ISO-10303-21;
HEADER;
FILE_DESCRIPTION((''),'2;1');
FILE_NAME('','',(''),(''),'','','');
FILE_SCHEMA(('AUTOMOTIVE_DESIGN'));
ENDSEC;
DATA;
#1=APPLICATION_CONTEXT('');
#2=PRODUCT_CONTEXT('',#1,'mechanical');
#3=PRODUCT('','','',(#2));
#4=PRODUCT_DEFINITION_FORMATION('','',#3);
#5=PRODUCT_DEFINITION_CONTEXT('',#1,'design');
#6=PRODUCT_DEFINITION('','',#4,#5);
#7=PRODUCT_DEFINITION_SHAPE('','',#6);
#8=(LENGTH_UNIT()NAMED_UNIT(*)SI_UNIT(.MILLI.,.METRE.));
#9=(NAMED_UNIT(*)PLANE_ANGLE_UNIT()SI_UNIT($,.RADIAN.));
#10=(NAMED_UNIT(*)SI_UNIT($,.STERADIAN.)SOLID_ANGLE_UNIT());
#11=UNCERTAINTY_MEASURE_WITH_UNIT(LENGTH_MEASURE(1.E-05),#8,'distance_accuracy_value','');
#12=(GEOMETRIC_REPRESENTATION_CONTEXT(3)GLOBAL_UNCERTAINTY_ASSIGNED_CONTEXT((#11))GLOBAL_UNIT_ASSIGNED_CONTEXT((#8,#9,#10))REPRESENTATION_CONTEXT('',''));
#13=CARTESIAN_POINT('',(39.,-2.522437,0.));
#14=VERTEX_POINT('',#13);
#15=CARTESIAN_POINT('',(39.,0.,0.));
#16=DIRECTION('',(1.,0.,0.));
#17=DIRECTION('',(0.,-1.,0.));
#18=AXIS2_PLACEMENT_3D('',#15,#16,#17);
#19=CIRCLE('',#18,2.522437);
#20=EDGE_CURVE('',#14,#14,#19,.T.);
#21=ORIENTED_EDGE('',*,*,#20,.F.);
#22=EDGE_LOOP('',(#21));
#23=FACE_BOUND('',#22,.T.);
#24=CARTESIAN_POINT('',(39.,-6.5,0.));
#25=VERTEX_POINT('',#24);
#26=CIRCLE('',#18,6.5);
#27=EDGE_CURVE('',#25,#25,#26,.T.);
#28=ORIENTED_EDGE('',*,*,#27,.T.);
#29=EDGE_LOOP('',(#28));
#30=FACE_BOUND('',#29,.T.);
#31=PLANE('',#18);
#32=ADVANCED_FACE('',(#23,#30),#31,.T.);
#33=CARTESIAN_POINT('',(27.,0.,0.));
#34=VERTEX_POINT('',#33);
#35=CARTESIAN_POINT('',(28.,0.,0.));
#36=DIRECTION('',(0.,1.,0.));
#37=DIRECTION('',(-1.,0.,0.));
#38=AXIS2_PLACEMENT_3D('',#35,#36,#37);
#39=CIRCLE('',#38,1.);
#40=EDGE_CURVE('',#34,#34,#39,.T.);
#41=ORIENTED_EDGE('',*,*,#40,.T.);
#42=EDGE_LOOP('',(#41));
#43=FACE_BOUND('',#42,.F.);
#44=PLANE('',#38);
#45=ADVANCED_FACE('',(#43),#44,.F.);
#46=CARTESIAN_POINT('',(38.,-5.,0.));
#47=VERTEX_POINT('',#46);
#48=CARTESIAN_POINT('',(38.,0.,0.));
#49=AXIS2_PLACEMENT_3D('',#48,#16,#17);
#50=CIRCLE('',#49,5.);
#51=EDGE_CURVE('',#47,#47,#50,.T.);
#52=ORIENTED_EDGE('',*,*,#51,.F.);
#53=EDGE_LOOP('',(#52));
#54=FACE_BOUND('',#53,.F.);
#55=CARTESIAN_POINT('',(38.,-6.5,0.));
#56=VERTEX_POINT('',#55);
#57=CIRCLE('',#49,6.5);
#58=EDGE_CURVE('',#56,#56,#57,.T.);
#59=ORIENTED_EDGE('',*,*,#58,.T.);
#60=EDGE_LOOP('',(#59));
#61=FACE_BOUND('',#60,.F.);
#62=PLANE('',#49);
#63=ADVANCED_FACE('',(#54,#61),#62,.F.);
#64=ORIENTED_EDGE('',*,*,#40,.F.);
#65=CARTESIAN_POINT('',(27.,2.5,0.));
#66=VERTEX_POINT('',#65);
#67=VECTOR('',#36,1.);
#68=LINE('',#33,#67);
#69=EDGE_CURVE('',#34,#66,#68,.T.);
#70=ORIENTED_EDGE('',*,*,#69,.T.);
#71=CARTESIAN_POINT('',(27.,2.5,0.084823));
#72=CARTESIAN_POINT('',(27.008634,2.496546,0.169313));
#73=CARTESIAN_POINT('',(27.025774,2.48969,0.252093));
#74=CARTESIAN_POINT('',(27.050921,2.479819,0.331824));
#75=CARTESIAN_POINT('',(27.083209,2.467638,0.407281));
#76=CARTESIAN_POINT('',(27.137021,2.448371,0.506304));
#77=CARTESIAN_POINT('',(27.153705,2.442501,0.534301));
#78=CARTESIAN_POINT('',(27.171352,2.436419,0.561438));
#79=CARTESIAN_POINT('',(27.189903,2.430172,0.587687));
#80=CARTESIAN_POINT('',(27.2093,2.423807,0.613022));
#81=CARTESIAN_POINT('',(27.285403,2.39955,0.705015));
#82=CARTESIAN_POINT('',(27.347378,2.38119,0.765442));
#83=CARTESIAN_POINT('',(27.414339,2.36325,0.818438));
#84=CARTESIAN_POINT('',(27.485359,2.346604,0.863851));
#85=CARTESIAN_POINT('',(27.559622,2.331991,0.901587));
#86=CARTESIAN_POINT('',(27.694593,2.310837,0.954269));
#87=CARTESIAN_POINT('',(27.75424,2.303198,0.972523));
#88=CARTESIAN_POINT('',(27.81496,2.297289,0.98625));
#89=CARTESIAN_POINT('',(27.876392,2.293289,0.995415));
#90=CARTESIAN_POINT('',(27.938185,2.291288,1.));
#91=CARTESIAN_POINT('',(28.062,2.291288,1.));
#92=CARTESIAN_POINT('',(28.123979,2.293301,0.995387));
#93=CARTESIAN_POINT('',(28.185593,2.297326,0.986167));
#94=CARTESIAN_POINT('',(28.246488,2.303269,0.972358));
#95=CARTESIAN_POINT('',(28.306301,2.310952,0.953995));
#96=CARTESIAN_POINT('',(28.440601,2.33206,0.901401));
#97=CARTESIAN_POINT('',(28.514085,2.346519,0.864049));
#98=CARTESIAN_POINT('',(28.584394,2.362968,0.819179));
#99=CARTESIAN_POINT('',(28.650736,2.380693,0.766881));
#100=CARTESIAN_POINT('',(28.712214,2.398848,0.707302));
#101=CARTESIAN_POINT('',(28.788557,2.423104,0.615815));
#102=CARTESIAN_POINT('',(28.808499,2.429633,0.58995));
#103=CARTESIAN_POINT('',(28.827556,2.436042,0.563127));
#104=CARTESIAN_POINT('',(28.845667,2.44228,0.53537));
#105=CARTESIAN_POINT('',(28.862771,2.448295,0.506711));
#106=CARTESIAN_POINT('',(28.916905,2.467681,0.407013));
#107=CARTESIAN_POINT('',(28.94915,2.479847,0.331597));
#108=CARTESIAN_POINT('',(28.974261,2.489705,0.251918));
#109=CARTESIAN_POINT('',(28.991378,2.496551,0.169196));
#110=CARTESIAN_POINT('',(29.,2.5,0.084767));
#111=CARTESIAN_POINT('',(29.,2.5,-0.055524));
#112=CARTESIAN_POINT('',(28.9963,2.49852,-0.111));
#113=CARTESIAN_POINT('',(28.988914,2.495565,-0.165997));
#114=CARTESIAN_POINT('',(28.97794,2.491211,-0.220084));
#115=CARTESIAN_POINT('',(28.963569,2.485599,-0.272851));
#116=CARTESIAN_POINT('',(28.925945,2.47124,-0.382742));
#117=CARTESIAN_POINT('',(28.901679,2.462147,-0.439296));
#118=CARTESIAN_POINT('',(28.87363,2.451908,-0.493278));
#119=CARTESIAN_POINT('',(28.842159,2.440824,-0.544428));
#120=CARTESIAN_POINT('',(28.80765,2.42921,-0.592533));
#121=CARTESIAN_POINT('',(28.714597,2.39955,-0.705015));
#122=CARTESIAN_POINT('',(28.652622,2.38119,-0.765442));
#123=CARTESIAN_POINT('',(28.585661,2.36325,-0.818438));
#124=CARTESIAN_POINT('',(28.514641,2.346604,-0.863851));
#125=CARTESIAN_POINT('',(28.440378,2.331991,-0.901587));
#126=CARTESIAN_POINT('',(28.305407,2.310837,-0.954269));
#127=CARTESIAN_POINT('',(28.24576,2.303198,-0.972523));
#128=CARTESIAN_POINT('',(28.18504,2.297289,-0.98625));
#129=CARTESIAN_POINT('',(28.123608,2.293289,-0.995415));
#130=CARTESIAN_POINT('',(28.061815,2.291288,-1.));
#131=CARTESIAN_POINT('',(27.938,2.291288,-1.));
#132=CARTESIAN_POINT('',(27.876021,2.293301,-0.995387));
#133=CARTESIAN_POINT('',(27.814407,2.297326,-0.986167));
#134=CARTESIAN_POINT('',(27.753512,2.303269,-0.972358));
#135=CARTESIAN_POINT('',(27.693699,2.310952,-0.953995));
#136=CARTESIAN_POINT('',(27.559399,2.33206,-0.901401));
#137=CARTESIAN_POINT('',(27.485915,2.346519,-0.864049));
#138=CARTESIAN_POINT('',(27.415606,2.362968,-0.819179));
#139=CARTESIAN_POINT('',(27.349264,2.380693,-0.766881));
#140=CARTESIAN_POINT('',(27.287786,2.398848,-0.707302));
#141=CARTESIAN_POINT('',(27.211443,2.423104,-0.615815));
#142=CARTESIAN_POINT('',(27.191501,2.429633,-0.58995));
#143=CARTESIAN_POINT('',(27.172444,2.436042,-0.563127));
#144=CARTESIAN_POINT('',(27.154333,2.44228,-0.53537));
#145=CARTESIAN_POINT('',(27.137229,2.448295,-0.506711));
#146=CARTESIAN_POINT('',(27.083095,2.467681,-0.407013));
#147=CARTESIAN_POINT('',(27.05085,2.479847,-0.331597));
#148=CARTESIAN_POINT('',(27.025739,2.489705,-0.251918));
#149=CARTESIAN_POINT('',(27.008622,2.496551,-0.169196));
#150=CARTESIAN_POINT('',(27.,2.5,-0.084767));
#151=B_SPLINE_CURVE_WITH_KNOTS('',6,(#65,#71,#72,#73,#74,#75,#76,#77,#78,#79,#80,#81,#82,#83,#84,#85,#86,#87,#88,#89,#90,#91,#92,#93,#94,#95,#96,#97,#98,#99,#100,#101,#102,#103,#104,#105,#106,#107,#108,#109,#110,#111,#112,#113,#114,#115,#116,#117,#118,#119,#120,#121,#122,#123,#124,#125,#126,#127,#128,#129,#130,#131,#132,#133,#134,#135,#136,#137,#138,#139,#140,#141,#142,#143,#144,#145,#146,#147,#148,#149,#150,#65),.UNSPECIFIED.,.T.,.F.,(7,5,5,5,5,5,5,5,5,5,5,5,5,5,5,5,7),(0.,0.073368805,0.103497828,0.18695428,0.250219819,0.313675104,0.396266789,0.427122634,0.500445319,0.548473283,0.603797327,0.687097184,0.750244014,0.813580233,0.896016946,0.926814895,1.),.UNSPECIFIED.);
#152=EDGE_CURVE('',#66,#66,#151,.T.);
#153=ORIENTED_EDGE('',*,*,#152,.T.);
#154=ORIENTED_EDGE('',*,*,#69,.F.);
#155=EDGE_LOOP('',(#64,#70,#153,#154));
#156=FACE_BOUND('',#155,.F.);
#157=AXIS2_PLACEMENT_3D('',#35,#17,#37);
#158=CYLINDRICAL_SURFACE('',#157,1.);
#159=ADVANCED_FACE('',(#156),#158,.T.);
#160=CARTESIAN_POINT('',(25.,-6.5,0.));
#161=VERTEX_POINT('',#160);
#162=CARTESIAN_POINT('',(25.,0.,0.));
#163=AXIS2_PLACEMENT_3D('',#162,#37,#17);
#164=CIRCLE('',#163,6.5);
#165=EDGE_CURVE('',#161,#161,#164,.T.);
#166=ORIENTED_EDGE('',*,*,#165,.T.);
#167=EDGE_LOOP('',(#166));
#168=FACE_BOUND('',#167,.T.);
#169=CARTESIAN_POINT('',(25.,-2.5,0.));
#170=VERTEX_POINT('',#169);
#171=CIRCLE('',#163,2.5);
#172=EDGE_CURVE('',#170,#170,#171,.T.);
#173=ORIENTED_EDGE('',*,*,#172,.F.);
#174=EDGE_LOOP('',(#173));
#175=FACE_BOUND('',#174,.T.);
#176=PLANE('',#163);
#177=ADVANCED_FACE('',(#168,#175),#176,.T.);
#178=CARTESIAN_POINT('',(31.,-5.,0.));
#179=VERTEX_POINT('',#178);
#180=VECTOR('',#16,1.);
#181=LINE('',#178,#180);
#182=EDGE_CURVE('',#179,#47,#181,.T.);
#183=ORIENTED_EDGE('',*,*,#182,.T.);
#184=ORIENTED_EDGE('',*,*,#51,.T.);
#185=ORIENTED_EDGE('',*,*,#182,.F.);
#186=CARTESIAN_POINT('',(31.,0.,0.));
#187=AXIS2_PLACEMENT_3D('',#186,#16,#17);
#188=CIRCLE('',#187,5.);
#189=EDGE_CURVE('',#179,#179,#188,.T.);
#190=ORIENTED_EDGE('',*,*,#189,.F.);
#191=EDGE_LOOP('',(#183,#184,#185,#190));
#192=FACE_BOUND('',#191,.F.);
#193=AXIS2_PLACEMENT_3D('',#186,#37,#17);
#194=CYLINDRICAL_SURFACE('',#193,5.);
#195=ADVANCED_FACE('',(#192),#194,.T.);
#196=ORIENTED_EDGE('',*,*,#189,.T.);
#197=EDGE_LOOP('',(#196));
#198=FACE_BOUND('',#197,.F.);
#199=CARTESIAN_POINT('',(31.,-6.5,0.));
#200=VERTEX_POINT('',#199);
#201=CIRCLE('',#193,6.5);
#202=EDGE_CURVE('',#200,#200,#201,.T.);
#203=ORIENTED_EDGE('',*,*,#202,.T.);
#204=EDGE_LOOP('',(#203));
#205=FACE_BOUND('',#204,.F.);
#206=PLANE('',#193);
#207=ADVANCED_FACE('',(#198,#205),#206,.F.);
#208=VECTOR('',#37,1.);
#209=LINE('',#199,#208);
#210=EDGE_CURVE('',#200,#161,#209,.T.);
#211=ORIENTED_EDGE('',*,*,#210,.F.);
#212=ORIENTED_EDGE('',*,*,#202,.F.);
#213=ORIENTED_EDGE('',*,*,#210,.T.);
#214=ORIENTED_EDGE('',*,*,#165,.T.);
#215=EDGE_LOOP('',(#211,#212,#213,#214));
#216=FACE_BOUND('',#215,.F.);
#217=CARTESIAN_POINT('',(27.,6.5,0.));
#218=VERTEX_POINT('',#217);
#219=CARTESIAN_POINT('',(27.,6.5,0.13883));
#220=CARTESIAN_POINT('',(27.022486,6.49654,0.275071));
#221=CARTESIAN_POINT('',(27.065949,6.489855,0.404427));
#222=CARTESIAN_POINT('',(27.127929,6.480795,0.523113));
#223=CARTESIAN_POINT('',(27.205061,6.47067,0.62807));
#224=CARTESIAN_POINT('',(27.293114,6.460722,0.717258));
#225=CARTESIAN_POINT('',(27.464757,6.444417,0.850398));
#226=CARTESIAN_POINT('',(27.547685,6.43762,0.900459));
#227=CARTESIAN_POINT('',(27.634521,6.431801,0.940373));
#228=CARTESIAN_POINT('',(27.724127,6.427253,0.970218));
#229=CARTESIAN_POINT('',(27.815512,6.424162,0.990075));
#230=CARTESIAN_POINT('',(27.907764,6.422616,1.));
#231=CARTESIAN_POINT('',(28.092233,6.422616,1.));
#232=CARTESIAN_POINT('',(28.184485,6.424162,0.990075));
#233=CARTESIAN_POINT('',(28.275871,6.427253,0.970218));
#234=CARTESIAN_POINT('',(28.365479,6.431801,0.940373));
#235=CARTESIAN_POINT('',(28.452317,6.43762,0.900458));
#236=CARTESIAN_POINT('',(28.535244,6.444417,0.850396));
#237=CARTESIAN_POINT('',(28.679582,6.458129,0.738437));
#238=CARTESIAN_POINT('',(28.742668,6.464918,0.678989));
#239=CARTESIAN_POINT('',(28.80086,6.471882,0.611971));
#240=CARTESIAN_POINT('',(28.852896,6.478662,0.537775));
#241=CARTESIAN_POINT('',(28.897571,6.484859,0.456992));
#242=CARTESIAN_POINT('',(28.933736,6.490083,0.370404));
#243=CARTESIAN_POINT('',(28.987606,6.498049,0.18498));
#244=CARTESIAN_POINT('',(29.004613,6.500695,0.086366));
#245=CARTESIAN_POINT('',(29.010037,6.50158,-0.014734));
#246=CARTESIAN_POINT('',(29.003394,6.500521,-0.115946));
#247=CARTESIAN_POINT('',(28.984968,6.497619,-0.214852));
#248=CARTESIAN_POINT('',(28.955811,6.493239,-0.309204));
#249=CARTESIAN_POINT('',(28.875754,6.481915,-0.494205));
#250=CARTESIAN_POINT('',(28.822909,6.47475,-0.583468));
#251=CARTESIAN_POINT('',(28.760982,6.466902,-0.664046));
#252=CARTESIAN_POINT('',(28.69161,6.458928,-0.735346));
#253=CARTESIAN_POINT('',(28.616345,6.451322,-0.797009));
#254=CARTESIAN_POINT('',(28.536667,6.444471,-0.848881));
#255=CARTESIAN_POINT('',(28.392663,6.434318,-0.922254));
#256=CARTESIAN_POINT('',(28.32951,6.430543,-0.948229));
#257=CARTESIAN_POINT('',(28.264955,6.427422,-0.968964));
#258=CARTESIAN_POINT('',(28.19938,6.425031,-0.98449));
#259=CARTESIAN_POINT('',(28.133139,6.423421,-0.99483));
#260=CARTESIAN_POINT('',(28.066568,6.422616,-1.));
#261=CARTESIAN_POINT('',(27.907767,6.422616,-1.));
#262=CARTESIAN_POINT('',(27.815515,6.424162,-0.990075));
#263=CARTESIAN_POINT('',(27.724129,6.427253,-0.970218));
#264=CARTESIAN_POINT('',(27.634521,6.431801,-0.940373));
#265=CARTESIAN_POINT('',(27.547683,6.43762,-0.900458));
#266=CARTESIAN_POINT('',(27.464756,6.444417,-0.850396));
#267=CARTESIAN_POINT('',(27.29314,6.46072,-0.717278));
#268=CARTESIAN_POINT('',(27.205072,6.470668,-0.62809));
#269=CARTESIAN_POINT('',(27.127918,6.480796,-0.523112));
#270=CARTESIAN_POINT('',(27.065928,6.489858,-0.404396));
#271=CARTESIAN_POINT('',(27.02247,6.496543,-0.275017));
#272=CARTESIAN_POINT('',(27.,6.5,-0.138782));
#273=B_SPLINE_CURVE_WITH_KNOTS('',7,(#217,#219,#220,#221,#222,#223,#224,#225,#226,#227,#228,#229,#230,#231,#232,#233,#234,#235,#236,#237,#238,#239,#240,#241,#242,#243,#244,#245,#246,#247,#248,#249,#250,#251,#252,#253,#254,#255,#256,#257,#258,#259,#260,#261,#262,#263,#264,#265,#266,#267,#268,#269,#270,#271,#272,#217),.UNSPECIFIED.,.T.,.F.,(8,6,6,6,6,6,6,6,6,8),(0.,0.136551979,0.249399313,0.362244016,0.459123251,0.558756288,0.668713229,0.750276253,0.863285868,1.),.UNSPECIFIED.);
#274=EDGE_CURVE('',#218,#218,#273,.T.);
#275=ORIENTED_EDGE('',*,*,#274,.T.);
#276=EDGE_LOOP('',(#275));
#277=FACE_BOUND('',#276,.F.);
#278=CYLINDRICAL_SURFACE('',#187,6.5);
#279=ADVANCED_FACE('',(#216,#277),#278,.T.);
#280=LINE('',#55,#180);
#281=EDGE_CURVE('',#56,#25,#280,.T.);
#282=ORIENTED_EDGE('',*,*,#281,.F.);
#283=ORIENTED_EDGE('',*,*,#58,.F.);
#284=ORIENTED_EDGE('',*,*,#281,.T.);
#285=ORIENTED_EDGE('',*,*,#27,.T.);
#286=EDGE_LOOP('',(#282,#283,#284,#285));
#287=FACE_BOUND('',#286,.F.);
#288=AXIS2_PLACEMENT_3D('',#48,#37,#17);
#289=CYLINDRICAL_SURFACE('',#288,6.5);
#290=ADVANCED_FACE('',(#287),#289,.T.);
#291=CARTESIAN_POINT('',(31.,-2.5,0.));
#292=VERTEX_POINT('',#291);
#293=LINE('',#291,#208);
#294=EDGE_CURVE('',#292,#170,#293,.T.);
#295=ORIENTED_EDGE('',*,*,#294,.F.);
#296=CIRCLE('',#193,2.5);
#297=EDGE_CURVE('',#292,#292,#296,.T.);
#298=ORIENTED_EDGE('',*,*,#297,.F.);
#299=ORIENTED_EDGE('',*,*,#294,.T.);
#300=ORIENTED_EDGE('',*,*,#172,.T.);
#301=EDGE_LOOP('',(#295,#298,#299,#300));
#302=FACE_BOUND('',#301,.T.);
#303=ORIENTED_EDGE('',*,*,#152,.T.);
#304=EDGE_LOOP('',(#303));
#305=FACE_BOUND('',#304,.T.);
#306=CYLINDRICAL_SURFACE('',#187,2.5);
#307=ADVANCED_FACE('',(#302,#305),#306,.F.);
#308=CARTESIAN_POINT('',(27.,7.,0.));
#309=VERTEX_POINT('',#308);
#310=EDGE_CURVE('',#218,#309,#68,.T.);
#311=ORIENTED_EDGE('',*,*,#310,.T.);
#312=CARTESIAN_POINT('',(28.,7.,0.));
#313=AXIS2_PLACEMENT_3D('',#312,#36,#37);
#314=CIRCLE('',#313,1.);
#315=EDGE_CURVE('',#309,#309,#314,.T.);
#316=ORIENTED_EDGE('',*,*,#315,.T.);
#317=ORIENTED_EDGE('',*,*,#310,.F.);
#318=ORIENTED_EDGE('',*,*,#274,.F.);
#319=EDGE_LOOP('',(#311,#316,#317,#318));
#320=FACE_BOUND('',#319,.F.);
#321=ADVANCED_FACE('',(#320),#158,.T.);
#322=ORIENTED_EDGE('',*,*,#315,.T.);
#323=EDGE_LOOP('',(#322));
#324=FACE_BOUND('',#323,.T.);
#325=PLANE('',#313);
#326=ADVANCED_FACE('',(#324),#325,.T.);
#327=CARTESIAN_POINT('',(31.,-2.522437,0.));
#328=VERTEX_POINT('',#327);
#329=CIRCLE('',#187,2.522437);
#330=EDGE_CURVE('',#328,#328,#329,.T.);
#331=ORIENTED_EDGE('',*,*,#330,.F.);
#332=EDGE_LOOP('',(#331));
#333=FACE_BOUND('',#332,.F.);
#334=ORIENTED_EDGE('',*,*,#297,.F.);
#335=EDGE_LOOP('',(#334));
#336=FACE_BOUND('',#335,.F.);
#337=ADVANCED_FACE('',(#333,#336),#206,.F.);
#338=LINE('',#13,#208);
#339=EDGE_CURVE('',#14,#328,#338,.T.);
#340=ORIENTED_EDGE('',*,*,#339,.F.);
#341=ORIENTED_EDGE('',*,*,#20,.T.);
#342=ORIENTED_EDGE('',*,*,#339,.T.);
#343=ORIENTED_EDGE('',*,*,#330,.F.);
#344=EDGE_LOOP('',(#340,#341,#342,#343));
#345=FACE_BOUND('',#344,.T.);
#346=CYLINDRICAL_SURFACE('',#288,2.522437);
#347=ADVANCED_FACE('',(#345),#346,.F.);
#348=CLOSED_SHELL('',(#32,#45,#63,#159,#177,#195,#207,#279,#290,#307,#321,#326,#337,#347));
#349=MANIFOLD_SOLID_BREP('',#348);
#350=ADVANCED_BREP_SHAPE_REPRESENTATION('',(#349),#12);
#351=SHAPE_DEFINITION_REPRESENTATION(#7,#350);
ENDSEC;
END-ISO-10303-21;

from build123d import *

# Parameters (mm, degrees)
SKETCH019_R             = 6.5
SKETCH019_R_2           = 2.5
PAD010_DEPTH            = 6
SKETCH020_R             = 5
SKETCH020_R_2           = 2.522437
PAD011_DEPTH            = 7
SKETCH021_R             = 6.5
SKETCH021_R_2           = 2.522437
PAD012_DEPTH            = 1
SKETCH022_R             = 1
PAD013_DEPTH            = 7
BODY011_PLACEMENT_ANGLE = 180


with BuildPart() as part:
    # Sketch019 → Pad010 (new body)
    with BuildSketch(Plane.YZ):
        Circle(SKETCH019_R)
        Circle(SKETCH019_R_2, mode=Mode.SUBTRACT)
    extrude(amount=PAD010_DEPTH)

    # Sketch020 (on Face3 of Pad010) → Pad011 (join)
    with BuildSketch(Plane(origin=(0, 0, 0), x_dir=(0, 1, 0), z_dir=(-1, 0, 0))):
        Circle(SKETCH020_R)
        Circle(SKETCH020_R_2, mode=Mode.SUBTRACT)
    extrude(amount=PAD011_DEPTH)

    # Sketch021 (on Face6 of Pad011) → Pad012 (join)
    with BuildSketch(Plane(origin=(-7, 0, 0), x_dir=(0, 1, 0), z_dir=(-1, 0, 0))):
        Circle(SKETCH021_R)
        Circle(SKETCH021_R_2, mode=Mode.SUBTRACT)
    extrude(amount=PAD012_DEPTH)

    # Sketch022 → Pad013 (join)
    with BuildSketch(Plane.XZ):
        with Locations((3, 0)):
            Circle(SKETCH022_R)
    extrude(amount=PAD013_DEPTH)


with BuildPart() as part_1:
    # Body011 placement: moved
    add(part.part.moved(Location((31, 0, 0))).rotate(Axis((31, 0, 0), (0, 0, 1)), BODY011_PLACEMENT_ANGLE))


solid = part_1.part
